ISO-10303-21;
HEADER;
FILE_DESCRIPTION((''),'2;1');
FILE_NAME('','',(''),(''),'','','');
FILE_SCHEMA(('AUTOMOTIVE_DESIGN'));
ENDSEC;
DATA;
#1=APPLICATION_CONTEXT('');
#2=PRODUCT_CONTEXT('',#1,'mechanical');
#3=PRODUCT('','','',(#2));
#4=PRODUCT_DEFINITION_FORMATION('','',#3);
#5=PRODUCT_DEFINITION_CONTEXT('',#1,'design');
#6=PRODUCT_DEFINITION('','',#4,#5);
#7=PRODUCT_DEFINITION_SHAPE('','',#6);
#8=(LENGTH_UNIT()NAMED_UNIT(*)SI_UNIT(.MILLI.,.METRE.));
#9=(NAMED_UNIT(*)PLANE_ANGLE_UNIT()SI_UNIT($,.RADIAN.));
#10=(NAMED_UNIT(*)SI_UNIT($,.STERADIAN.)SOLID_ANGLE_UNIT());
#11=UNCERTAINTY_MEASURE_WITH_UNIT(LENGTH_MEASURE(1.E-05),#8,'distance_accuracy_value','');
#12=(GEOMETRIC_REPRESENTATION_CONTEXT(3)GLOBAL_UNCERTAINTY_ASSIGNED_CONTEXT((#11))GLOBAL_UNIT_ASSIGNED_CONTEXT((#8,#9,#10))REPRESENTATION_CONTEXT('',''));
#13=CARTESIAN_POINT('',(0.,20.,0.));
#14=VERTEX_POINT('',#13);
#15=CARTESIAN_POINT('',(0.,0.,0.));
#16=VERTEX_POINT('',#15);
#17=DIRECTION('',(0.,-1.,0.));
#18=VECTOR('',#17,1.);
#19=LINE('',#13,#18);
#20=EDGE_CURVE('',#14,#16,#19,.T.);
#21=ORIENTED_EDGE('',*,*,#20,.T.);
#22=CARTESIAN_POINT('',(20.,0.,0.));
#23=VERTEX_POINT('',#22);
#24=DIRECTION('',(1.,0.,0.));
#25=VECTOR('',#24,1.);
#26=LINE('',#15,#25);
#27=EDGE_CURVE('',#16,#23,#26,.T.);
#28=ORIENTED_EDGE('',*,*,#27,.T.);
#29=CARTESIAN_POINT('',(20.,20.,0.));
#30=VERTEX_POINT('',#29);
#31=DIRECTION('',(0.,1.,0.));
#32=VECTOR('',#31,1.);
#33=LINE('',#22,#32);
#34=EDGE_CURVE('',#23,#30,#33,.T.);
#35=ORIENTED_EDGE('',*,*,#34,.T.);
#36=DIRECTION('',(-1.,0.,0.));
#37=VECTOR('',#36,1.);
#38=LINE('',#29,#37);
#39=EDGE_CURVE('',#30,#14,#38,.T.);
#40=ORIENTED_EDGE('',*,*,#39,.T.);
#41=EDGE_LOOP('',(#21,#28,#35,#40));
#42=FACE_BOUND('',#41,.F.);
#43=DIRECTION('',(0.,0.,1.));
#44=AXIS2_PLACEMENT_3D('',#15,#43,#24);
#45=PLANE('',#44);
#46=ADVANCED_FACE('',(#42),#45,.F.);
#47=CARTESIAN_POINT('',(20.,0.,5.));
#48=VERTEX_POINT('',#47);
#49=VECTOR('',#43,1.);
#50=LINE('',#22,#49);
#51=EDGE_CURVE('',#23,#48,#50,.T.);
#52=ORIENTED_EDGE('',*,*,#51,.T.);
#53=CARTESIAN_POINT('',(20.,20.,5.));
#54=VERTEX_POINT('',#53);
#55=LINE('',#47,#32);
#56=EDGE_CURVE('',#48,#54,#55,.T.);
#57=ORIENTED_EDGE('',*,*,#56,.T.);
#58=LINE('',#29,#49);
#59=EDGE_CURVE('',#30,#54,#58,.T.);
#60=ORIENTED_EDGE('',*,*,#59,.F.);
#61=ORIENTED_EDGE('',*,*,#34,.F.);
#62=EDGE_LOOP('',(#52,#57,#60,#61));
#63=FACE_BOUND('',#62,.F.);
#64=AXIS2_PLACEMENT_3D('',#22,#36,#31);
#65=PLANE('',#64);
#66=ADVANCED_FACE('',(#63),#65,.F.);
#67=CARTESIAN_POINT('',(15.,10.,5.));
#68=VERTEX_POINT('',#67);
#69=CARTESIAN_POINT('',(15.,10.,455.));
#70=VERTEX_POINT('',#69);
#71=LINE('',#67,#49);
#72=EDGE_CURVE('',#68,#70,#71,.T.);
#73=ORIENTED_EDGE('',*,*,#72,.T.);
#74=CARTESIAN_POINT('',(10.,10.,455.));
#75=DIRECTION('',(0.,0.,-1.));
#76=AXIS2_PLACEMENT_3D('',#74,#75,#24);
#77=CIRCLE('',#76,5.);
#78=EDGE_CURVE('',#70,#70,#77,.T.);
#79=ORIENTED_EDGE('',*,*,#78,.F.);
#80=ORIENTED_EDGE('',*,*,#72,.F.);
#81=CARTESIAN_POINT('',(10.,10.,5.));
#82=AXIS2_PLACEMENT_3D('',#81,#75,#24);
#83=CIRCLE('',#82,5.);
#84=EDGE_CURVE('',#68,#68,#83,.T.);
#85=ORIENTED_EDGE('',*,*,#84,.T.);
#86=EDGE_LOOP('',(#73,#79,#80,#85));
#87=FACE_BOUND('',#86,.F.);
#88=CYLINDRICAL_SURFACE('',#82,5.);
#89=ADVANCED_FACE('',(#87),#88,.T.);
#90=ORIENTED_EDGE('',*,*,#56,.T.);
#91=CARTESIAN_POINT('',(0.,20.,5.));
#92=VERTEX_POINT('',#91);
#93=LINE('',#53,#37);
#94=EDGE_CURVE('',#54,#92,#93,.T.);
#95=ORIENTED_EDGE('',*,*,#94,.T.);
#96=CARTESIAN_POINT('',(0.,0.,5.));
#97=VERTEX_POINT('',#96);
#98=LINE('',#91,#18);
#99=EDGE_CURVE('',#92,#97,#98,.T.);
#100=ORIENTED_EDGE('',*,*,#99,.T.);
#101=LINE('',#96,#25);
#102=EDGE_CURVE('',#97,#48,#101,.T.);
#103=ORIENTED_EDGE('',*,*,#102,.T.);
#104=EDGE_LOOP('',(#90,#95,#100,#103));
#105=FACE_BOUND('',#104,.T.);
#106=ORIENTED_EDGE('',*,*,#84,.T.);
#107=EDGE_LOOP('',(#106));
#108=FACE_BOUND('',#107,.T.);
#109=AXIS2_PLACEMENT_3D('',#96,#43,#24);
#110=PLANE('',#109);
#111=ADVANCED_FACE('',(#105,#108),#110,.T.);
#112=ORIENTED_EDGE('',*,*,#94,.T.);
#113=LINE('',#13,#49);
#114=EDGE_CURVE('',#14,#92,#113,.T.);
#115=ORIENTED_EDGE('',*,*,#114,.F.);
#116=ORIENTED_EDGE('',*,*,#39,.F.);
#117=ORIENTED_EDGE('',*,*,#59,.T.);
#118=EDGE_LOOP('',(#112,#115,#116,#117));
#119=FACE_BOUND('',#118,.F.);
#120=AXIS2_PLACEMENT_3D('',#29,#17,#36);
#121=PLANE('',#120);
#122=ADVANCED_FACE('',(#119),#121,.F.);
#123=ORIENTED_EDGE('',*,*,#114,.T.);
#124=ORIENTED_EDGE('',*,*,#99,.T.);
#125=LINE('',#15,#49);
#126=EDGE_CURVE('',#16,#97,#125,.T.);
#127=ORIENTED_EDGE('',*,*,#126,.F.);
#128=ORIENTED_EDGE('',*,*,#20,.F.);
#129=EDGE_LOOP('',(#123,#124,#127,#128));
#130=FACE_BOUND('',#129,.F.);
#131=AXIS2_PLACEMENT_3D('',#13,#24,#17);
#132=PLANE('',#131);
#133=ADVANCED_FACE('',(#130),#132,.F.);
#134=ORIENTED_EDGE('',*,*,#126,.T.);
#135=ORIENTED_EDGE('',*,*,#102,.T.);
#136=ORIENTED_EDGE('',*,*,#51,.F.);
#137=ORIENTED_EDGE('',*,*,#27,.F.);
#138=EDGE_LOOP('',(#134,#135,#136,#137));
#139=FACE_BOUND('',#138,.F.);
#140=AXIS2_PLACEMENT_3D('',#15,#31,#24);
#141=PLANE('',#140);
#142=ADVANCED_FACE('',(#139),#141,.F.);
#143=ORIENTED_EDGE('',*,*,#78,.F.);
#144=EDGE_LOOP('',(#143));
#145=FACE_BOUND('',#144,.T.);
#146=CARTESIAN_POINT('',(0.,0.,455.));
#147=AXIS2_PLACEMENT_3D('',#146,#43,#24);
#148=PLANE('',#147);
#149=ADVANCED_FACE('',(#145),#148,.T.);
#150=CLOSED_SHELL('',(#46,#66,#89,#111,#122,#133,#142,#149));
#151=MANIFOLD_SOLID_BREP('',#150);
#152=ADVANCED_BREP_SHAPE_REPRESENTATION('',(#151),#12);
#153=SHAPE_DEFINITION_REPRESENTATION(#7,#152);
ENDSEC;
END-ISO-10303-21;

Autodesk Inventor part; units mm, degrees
ref_plane "YZ Plane" through (0, 0, 0) normal (1, 0, 0) x (0, 1, 0)
ref_plane "XZ Plane" through (0, 0, 0) normal (0, 1, 0) x (-1, 0, 0)
ref_plane "XY Plane" through (0, 0, 0) normal (0, 0, 1) x (1, 0, 0)
sketch "Sketch1" plane through (0, 0, 0) normal (0, 0, 1) x (1, 0, 0)
  line L0 (0, 0) -> (20, 0)
  line L1 (20, 0) -> (20, 20)
  line L2 (20, 20) -> (0, 20)
  line L3 (0, 20) -> (0, 0)
  dimension "d2" = 20
  dimension "d3" = 20
extrude "Extrusion1" add sketch "Sketch1" along normal blind 5
sketch "Sketch2" plane through (0, 0, 5) normal (0, 0, 1) x (1, 0, 0)
  point P0 (0, 0)
sketch "Sketch3" plane through (0, 0, 5) normal (0, 0, 1) x (1, 0, 0)
  line L0 (0, 0) -> (10, 0)
  line L1 (0, 0) -> (20, 0) projected
  line L2 (10, 0) -> (10, 10)
  circle A0 centre (10, 10) radius 5
  dimension "d6" = 10
  dimension "d7" = 10
  dimension "d8" = 10
extrude "Extrusion2" add sketch "Sketch3" along normal blind 450
thread "Thread1" size "M10x1.5" class "6g" standard "ANSI Metric M Profile" full length
properties part number "bolt for capping system"
